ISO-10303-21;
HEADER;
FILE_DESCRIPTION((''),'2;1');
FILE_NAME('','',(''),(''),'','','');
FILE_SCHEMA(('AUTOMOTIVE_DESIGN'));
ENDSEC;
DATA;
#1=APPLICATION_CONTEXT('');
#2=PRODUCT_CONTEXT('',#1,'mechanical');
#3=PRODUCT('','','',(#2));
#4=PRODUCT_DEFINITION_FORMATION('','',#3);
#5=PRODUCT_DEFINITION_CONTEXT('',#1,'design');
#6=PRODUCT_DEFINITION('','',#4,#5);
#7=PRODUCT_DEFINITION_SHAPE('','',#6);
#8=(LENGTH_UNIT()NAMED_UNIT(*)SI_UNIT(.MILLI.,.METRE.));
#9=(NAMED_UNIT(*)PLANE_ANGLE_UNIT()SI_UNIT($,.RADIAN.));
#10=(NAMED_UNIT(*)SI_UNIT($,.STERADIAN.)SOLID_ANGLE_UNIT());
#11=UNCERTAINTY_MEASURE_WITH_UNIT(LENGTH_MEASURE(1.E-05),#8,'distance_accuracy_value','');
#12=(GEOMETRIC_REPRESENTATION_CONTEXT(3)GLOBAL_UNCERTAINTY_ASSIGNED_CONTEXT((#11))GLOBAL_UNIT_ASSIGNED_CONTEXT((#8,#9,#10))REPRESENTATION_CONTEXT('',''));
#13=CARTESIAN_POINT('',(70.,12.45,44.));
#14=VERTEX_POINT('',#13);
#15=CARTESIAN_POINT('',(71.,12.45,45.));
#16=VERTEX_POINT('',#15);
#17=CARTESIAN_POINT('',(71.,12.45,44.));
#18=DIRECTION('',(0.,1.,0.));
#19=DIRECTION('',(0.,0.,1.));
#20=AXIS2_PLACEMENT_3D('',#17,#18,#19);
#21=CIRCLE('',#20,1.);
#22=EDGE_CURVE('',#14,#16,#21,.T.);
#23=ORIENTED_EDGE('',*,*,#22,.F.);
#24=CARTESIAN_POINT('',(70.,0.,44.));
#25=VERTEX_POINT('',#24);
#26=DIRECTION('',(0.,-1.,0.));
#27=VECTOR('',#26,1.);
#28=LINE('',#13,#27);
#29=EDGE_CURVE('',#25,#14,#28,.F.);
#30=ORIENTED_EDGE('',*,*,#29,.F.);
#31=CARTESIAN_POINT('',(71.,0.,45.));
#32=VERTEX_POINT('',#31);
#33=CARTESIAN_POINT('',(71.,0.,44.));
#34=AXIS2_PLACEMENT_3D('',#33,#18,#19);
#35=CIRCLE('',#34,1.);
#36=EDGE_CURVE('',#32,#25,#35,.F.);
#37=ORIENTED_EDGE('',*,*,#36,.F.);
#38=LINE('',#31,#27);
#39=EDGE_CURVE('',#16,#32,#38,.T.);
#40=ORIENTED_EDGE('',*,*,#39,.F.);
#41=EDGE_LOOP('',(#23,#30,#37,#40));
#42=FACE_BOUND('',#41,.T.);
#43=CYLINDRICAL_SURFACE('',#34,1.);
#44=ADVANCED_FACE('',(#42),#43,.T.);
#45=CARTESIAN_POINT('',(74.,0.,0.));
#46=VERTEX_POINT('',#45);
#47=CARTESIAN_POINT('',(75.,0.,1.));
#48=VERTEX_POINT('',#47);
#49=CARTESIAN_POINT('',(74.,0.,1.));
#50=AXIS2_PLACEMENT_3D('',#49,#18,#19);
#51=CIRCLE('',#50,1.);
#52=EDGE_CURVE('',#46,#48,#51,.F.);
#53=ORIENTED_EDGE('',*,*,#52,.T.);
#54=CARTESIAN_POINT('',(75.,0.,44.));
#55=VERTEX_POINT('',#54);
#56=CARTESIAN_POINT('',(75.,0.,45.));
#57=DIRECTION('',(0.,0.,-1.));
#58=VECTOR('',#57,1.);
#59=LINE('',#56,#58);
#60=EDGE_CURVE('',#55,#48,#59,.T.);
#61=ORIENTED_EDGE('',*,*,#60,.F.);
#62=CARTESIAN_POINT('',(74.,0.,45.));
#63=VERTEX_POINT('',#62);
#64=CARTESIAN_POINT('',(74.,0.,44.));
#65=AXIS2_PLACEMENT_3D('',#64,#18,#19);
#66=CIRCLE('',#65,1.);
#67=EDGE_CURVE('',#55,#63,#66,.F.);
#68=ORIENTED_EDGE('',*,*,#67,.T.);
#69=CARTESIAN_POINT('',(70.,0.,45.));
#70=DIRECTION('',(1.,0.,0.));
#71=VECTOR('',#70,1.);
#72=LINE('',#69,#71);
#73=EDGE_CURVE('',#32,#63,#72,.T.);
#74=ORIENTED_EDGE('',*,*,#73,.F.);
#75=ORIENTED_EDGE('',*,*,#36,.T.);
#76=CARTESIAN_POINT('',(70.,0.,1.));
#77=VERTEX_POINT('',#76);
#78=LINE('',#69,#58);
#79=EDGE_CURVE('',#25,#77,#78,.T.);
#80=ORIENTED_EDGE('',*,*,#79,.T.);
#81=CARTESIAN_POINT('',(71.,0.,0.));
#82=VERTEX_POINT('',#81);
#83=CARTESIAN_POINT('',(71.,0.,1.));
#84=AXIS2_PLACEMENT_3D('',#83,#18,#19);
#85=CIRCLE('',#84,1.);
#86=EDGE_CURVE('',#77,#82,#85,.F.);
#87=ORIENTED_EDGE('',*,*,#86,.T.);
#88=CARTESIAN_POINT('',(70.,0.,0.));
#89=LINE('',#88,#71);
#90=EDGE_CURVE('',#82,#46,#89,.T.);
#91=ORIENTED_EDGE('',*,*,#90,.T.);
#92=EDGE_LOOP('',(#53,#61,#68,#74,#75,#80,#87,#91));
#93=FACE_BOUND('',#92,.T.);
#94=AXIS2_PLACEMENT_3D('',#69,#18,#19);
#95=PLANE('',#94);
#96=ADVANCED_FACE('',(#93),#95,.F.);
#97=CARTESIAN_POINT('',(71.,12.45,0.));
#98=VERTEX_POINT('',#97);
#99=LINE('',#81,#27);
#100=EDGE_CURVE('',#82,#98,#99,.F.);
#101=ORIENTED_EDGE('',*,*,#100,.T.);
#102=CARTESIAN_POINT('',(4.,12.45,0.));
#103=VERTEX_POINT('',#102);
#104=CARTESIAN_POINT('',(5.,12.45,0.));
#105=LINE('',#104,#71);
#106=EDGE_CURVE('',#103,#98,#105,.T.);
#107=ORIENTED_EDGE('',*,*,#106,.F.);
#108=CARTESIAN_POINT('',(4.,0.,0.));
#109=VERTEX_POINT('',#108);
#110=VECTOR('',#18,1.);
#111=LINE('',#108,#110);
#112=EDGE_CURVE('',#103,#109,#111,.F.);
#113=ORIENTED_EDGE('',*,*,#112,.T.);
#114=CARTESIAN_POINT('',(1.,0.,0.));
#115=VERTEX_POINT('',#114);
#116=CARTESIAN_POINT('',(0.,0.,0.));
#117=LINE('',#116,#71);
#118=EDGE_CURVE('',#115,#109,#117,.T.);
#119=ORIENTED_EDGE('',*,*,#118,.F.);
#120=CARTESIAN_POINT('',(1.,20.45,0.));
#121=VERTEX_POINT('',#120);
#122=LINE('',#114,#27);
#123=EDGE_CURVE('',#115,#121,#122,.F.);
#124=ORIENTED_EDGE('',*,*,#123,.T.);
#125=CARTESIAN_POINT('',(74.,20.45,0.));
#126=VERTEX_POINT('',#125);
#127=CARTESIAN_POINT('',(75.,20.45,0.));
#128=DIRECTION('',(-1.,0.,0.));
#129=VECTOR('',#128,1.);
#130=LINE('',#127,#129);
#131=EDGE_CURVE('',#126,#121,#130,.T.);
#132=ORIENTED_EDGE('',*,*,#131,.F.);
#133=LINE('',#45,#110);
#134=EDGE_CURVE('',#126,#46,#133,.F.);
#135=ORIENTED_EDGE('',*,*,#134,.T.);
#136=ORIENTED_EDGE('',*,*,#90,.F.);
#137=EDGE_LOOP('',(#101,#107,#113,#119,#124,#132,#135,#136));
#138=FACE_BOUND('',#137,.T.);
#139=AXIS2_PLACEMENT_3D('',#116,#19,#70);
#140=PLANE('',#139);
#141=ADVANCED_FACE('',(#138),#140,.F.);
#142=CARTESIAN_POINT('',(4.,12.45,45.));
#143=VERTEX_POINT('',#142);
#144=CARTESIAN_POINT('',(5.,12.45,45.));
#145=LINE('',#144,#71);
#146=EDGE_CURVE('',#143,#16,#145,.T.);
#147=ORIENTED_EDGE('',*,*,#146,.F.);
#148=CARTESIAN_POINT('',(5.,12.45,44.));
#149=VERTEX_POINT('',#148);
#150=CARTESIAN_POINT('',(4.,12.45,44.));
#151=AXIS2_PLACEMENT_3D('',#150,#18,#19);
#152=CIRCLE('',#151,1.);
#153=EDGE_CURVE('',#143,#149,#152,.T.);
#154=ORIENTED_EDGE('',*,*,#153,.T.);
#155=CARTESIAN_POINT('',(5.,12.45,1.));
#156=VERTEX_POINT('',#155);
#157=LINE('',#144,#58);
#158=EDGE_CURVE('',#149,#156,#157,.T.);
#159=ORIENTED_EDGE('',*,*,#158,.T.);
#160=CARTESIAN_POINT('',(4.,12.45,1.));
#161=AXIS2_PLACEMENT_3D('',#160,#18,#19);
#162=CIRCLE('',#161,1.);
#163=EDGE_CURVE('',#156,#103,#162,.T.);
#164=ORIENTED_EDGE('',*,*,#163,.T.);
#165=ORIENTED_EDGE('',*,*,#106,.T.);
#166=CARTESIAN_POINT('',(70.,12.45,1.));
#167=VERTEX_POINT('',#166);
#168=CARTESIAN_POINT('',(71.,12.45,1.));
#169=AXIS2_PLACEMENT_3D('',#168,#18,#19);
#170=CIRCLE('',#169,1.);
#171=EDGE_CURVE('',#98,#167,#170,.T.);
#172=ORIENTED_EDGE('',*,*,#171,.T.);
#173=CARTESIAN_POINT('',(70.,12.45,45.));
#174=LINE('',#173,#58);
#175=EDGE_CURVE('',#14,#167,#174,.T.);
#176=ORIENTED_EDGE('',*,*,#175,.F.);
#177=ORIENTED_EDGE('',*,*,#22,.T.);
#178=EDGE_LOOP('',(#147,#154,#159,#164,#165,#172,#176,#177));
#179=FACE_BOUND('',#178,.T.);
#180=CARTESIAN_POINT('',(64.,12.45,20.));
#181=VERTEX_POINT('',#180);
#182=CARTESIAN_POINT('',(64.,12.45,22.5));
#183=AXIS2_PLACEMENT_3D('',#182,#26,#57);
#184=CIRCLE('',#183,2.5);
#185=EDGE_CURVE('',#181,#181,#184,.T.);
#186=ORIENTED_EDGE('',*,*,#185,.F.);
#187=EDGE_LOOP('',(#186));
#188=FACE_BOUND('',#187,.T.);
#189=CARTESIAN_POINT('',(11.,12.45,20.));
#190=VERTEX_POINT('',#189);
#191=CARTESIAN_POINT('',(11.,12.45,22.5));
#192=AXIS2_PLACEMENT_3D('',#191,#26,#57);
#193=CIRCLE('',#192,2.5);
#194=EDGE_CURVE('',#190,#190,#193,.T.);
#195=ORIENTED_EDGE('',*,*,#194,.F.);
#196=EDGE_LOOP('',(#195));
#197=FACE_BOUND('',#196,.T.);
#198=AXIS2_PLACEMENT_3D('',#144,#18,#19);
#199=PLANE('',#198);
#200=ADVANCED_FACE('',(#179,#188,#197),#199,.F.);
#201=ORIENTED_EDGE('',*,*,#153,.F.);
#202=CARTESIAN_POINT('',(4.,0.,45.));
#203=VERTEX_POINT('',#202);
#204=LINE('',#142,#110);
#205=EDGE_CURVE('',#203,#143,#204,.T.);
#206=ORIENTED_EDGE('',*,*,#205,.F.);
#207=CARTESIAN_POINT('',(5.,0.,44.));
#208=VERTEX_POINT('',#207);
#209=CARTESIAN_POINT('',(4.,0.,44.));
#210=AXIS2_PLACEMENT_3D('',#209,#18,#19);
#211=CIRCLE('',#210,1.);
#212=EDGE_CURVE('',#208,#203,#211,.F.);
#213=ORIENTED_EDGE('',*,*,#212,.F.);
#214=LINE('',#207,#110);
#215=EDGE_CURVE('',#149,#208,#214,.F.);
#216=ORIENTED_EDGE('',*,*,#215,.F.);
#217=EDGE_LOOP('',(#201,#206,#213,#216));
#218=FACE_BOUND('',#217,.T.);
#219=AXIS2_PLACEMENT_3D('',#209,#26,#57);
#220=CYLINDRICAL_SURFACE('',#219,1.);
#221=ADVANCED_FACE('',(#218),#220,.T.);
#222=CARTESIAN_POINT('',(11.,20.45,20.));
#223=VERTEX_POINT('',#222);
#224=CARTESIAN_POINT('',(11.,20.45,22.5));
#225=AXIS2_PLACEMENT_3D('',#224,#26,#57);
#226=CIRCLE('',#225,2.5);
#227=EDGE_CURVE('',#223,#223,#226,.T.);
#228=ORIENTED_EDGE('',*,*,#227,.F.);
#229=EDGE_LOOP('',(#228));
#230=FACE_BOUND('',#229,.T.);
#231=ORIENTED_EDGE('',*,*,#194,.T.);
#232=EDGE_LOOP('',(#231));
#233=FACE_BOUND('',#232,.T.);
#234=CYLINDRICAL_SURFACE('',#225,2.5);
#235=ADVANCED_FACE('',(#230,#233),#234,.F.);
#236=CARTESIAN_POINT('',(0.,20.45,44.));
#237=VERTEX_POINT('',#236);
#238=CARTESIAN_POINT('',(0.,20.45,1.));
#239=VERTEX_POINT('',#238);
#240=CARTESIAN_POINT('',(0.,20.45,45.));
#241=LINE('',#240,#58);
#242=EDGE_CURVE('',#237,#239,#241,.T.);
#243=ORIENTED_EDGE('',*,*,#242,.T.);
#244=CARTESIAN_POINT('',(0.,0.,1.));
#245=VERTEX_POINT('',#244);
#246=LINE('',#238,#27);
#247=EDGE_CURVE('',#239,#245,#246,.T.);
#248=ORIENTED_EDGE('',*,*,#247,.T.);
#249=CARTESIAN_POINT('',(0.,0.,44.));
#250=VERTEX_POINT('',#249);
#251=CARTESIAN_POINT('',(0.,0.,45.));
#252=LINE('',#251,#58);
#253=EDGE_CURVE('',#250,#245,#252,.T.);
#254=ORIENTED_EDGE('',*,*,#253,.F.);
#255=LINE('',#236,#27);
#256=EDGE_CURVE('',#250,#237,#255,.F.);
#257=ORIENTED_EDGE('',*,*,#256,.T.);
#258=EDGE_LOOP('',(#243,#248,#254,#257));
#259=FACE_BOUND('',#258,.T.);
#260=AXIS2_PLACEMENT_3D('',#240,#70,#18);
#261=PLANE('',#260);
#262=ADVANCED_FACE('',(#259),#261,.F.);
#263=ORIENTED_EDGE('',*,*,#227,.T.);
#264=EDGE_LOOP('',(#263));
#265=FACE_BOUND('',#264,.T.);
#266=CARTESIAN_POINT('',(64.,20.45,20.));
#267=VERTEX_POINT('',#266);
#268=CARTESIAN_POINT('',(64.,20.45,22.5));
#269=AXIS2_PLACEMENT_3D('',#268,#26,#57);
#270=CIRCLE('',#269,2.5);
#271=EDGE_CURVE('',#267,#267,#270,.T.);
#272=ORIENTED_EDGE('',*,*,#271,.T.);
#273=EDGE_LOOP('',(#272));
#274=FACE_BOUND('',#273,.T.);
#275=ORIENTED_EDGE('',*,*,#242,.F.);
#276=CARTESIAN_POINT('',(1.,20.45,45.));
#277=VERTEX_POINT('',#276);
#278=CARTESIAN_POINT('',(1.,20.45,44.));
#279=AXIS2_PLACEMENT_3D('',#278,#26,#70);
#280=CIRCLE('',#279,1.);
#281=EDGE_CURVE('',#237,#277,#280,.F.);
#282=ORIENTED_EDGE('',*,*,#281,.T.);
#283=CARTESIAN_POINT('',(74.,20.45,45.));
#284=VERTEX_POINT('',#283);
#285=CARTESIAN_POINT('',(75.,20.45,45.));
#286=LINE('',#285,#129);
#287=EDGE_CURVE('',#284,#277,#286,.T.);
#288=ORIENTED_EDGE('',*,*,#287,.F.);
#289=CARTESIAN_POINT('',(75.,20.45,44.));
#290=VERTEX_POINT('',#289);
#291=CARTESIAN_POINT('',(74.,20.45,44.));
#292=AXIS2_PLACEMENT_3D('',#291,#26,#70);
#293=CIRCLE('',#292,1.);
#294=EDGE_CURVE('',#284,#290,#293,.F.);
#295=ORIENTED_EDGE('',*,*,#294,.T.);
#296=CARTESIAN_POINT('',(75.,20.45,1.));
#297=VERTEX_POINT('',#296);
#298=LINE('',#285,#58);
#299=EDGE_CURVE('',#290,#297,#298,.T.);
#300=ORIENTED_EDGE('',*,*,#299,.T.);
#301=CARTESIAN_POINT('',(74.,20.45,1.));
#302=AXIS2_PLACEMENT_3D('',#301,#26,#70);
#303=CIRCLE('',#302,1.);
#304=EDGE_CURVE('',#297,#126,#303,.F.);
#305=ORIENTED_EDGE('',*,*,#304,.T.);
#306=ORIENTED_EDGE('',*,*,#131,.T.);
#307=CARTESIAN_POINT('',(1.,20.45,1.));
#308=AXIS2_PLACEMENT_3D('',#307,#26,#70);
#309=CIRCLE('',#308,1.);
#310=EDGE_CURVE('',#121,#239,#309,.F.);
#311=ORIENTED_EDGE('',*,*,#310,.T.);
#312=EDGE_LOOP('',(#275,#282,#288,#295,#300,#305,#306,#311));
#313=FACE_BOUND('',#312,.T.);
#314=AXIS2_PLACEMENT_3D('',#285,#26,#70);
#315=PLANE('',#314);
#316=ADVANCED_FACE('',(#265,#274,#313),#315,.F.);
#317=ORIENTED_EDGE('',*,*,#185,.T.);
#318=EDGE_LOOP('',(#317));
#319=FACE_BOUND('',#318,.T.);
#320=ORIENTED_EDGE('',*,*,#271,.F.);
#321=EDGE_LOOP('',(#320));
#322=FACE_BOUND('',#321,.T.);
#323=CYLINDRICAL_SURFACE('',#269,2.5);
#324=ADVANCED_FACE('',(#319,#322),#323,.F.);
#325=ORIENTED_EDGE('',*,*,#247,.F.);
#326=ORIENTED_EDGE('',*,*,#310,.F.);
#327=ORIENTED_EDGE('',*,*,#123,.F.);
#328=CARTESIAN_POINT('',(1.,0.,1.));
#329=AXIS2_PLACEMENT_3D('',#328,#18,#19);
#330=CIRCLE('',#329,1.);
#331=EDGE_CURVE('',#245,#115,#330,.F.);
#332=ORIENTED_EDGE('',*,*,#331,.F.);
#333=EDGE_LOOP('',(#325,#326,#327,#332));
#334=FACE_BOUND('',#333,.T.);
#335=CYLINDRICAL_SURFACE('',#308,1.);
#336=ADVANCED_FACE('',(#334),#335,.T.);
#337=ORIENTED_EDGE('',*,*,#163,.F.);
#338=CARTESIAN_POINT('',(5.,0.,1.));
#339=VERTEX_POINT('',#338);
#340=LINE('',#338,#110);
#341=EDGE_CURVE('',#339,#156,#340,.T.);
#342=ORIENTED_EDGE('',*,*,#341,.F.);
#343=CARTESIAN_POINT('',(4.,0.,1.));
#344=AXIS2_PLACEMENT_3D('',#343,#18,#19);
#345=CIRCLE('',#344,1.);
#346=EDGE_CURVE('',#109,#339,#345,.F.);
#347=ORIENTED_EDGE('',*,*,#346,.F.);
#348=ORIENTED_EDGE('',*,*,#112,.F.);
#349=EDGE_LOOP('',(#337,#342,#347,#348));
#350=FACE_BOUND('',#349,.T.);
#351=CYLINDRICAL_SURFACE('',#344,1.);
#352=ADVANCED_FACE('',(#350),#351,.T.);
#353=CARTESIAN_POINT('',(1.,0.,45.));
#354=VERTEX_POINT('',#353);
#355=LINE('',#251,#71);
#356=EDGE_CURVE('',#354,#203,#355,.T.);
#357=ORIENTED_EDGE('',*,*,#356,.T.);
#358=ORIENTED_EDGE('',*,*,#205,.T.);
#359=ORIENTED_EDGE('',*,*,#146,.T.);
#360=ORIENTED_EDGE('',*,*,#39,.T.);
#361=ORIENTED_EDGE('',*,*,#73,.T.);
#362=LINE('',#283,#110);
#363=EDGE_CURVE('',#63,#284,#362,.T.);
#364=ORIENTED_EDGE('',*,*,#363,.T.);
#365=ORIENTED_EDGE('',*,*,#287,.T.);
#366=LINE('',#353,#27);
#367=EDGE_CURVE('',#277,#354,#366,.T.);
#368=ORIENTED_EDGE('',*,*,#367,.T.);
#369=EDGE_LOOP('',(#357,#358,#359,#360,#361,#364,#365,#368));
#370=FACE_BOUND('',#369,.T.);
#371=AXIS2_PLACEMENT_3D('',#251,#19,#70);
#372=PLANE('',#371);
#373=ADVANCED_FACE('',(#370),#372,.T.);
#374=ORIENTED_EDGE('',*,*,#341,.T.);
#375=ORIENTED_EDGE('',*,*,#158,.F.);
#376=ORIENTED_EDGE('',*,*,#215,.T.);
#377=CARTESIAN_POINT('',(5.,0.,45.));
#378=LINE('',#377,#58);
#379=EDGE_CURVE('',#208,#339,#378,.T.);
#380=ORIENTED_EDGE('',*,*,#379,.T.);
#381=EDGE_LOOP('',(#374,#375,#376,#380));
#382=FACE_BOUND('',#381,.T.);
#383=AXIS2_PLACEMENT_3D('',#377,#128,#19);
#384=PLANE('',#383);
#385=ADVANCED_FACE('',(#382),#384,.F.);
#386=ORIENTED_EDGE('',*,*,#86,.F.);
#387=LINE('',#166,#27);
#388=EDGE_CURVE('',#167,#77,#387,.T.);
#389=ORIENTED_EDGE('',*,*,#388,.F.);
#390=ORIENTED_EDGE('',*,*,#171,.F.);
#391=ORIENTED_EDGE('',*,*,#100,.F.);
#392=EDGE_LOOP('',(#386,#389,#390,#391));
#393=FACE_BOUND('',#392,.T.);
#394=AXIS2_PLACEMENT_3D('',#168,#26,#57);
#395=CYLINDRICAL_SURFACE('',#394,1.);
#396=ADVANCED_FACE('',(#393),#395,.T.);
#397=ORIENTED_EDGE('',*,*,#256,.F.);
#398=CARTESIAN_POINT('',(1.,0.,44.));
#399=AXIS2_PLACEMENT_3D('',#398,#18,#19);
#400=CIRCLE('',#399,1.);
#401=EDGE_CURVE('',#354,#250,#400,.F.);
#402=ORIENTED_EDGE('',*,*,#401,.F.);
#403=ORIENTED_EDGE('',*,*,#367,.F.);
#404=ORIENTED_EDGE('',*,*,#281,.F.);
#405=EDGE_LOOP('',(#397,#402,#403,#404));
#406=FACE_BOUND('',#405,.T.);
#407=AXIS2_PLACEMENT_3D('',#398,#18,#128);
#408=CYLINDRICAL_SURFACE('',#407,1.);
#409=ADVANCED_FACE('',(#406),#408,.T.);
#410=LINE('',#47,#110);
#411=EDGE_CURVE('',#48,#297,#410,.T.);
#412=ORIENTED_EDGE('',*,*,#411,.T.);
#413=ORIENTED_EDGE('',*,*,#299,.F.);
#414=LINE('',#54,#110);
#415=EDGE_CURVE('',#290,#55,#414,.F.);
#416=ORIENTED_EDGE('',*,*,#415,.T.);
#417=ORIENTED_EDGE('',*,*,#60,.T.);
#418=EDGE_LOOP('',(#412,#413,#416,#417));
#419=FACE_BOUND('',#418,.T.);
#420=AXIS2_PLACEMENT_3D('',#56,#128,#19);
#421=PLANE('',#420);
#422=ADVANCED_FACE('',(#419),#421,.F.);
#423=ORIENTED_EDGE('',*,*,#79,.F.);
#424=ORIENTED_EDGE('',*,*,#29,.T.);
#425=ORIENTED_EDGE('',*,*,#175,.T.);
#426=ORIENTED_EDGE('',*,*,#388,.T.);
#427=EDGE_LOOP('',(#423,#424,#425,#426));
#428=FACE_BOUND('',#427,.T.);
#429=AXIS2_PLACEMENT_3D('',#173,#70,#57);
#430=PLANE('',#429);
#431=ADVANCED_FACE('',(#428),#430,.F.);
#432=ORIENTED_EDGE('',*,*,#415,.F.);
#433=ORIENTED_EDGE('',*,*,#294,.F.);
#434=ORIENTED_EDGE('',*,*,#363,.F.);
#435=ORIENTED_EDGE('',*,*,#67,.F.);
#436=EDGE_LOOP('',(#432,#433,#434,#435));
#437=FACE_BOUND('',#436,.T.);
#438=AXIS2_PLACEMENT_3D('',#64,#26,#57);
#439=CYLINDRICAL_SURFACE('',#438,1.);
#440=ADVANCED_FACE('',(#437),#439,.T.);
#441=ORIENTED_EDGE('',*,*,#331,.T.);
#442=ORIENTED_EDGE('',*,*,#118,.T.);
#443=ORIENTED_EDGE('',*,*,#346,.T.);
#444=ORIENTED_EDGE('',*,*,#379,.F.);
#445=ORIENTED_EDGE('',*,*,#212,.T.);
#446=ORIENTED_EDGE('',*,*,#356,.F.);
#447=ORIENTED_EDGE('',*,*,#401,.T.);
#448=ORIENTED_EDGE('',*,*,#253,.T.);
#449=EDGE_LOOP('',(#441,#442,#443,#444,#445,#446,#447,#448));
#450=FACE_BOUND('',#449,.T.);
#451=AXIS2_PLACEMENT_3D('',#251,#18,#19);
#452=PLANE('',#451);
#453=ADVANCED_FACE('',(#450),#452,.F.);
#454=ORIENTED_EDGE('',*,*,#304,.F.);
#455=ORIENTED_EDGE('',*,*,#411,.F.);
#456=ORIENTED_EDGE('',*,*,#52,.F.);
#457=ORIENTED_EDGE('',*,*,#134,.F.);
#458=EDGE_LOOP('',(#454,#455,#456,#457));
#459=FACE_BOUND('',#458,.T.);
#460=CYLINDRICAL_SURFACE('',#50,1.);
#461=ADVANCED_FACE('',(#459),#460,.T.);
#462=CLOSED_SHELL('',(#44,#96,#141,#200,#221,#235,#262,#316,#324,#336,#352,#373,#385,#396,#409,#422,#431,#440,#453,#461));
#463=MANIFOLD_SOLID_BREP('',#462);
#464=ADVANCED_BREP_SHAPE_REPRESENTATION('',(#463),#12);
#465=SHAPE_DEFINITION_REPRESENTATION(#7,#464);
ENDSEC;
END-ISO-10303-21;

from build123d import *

# Parameters (mm, degrees)
BOSS_EXTRUDE1_DEPTH = 45
SKETCH2_R           = 2.5
CUT_EXTRUDE1_DEPTH  = 89.345925203
FILLET1_R           = 1


with BuildPart() as part:
    # Sketch1 → Boss-Extrude1 (new body)
    with BuildSketch(Plane.XY):
        Polygon((0, 0), (5, 0), (5, 12.45), (70, 12.45), (70, 0), (75, 0), (75, 20.45), (0, 20.45), align=None)
    extrude(amount=BOSS_EXTRUDE1_DEPTH)

    # Sketch2 → Cut-Extrude1 (cut, through all)
    with BuildSketch(Plane.XZ.offset(-12.45)):
        with Locations(Location((11, 22.5, 0), (0, 0, 270))):
            Circle(SKETCH2_R)
        with Locations(Location((64, 22.5, 0), (0, 0, 270))):
            Circle(SKETCH2_R)
    extrude(amount=-CUT_EXTRUDE1_DEPTH, mode=Mode.SUBTRACT)

    # Fillet1
    fillet1_edges = [part.edges().sort_by_distance(p)[0] for p in [
        (5, 6.225, 0),
        (0, 10.225, 0),
        (5, 6.225, 45),
        (70, 6.225, 45),
        (75, 10.225, 45),
        (0, 10.225, 45),
        (75, 10.225, 0),
        (70, 6.225, 0),
    ]]
    fillet(fillet1_edges, radius=FILLET1_R)


solid = part.part
